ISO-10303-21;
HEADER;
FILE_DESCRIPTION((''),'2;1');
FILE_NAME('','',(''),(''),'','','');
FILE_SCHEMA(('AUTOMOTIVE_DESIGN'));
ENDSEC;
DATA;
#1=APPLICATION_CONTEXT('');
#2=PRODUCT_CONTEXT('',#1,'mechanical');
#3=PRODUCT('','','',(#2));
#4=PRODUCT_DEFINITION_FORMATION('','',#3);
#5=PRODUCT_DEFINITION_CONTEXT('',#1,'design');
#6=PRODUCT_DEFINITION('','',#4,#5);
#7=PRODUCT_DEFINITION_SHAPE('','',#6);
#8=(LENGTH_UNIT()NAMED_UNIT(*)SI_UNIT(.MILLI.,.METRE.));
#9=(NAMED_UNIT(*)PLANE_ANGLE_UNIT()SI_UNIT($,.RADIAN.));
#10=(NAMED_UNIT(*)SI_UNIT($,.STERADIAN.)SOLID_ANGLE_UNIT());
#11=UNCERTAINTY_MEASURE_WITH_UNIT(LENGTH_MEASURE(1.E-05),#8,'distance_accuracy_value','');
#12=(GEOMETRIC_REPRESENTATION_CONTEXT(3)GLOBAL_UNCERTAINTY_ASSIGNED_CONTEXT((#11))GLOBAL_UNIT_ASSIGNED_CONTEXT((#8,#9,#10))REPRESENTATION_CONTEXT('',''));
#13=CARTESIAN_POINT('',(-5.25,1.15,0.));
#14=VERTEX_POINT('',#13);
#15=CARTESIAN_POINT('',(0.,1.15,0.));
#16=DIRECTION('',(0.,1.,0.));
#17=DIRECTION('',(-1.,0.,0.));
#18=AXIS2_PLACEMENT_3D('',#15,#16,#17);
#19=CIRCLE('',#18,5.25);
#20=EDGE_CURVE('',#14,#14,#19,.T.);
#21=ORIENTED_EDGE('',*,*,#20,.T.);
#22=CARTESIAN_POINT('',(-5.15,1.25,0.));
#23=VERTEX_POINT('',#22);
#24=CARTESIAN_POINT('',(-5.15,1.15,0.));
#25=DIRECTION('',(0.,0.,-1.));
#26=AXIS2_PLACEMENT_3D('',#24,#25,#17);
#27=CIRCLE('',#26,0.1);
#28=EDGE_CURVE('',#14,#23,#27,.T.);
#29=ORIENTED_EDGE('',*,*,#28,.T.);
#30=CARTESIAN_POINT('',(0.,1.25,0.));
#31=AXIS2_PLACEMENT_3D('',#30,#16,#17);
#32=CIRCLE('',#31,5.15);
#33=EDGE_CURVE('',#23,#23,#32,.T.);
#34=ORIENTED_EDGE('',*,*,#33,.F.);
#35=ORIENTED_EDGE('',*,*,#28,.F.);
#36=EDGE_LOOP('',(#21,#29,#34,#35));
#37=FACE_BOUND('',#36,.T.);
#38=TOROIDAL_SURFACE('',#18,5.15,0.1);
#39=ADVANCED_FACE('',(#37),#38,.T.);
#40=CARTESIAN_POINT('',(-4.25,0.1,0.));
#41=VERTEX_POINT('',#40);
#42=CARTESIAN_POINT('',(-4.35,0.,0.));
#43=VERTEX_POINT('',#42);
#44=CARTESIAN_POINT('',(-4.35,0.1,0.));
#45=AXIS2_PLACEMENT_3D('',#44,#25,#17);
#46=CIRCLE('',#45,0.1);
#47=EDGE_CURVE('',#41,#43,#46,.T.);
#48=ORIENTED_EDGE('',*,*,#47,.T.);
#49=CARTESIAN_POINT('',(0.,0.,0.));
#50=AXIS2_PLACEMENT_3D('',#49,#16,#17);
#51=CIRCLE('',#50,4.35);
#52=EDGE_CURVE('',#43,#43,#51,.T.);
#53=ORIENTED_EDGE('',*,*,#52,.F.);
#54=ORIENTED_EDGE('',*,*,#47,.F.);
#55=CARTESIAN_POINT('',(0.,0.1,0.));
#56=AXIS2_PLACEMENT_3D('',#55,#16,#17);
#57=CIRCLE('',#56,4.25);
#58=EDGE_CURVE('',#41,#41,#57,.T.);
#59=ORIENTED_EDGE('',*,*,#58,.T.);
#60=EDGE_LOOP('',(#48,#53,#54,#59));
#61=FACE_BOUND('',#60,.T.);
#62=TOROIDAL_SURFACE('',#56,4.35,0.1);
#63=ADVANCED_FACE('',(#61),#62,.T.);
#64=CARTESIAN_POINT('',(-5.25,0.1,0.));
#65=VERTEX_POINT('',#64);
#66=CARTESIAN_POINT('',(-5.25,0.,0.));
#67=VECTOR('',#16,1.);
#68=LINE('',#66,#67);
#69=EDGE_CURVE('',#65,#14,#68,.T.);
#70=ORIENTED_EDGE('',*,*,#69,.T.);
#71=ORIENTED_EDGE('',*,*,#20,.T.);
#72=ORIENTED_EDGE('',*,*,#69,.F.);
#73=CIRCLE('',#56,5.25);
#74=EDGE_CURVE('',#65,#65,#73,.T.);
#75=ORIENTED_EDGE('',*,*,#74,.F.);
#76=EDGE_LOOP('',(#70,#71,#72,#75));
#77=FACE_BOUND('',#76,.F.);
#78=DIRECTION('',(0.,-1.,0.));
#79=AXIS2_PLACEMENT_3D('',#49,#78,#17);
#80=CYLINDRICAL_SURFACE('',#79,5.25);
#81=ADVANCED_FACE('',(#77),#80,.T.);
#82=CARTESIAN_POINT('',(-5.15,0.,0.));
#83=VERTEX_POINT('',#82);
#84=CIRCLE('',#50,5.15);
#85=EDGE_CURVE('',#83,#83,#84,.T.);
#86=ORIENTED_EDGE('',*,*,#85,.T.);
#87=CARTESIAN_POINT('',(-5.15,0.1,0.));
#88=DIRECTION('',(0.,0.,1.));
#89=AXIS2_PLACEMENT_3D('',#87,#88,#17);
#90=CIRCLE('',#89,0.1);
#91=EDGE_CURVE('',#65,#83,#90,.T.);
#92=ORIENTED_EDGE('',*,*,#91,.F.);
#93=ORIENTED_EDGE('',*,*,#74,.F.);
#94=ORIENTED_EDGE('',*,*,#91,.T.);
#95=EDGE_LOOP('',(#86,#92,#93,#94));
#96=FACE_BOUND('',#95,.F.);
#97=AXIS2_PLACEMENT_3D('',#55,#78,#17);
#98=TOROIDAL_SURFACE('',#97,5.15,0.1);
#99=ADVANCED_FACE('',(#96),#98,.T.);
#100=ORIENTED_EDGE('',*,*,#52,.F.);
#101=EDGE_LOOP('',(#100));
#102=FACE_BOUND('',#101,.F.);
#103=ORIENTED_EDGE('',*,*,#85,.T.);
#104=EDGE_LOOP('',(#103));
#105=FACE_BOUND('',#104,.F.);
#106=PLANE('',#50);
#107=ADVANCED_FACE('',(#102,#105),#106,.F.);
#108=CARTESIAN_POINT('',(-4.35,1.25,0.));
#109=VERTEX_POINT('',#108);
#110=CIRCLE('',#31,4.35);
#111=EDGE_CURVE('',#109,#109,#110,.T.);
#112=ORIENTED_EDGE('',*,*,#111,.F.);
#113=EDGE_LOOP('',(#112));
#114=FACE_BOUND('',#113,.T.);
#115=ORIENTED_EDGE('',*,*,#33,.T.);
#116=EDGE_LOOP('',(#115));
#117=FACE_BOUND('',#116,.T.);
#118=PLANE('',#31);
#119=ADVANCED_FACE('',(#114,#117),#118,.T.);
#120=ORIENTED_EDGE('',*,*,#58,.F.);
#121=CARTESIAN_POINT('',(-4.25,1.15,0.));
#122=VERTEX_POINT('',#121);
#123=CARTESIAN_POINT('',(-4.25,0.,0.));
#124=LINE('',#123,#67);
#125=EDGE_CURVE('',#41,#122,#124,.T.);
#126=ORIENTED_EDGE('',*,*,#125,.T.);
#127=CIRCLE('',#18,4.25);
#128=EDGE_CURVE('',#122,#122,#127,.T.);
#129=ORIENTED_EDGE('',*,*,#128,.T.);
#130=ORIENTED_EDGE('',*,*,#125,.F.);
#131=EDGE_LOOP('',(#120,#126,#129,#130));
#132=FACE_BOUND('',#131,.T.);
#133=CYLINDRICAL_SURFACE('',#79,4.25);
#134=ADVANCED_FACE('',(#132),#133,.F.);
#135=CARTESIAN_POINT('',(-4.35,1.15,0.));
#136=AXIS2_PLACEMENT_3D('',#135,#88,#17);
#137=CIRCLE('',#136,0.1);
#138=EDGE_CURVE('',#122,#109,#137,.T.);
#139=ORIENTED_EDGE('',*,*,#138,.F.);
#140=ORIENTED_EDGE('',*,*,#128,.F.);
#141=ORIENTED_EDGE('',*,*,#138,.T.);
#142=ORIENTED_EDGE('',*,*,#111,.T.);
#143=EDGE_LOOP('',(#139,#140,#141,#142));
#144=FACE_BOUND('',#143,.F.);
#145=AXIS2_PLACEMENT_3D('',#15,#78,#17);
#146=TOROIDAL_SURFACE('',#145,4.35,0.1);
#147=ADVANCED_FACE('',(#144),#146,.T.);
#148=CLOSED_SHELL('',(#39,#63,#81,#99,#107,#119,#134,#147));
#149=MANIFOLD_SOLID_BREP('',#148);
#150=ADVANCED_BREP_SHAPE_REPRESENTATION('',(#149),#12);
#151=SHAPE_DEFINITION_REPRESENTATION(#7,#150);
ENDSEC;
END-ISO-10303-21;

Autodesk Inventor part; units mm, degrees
ref_plane "YZ Plane" through (0, 0, 0) normal (1, 0, 0) x (0, 1, 0)
ref_plane "XZ Plane" through (0, 0, 0) normal (0, 1, 0) x (-1, 0, 0)
ref_plane "XY Plane" through (0, 0, 0) normal (0, 0, 1) x (1, 0, 0)
sketch "Sketch1" plane through (0, 0, 0) normal (0, 1, 0) x (-1, 0, 0)
  circle A0 centre (0, 0) radius 5.25
  circle A1 centre (0, 0) radius 4.25
  dimension "d0" = 10.5
  dimension "d1" = 1
extrude "Extrusion1" add sketch "Sketch1" along normal blind 1.25
fillet "Fillet1" radius 0.1 4 edges at (5.25, 1.25, 0) (4.25, 1.25, 0) (4.25, 0, 0) (5.25, 0, 0)
properties part number "Button_ring_red" material "Acetal Resin, White"
